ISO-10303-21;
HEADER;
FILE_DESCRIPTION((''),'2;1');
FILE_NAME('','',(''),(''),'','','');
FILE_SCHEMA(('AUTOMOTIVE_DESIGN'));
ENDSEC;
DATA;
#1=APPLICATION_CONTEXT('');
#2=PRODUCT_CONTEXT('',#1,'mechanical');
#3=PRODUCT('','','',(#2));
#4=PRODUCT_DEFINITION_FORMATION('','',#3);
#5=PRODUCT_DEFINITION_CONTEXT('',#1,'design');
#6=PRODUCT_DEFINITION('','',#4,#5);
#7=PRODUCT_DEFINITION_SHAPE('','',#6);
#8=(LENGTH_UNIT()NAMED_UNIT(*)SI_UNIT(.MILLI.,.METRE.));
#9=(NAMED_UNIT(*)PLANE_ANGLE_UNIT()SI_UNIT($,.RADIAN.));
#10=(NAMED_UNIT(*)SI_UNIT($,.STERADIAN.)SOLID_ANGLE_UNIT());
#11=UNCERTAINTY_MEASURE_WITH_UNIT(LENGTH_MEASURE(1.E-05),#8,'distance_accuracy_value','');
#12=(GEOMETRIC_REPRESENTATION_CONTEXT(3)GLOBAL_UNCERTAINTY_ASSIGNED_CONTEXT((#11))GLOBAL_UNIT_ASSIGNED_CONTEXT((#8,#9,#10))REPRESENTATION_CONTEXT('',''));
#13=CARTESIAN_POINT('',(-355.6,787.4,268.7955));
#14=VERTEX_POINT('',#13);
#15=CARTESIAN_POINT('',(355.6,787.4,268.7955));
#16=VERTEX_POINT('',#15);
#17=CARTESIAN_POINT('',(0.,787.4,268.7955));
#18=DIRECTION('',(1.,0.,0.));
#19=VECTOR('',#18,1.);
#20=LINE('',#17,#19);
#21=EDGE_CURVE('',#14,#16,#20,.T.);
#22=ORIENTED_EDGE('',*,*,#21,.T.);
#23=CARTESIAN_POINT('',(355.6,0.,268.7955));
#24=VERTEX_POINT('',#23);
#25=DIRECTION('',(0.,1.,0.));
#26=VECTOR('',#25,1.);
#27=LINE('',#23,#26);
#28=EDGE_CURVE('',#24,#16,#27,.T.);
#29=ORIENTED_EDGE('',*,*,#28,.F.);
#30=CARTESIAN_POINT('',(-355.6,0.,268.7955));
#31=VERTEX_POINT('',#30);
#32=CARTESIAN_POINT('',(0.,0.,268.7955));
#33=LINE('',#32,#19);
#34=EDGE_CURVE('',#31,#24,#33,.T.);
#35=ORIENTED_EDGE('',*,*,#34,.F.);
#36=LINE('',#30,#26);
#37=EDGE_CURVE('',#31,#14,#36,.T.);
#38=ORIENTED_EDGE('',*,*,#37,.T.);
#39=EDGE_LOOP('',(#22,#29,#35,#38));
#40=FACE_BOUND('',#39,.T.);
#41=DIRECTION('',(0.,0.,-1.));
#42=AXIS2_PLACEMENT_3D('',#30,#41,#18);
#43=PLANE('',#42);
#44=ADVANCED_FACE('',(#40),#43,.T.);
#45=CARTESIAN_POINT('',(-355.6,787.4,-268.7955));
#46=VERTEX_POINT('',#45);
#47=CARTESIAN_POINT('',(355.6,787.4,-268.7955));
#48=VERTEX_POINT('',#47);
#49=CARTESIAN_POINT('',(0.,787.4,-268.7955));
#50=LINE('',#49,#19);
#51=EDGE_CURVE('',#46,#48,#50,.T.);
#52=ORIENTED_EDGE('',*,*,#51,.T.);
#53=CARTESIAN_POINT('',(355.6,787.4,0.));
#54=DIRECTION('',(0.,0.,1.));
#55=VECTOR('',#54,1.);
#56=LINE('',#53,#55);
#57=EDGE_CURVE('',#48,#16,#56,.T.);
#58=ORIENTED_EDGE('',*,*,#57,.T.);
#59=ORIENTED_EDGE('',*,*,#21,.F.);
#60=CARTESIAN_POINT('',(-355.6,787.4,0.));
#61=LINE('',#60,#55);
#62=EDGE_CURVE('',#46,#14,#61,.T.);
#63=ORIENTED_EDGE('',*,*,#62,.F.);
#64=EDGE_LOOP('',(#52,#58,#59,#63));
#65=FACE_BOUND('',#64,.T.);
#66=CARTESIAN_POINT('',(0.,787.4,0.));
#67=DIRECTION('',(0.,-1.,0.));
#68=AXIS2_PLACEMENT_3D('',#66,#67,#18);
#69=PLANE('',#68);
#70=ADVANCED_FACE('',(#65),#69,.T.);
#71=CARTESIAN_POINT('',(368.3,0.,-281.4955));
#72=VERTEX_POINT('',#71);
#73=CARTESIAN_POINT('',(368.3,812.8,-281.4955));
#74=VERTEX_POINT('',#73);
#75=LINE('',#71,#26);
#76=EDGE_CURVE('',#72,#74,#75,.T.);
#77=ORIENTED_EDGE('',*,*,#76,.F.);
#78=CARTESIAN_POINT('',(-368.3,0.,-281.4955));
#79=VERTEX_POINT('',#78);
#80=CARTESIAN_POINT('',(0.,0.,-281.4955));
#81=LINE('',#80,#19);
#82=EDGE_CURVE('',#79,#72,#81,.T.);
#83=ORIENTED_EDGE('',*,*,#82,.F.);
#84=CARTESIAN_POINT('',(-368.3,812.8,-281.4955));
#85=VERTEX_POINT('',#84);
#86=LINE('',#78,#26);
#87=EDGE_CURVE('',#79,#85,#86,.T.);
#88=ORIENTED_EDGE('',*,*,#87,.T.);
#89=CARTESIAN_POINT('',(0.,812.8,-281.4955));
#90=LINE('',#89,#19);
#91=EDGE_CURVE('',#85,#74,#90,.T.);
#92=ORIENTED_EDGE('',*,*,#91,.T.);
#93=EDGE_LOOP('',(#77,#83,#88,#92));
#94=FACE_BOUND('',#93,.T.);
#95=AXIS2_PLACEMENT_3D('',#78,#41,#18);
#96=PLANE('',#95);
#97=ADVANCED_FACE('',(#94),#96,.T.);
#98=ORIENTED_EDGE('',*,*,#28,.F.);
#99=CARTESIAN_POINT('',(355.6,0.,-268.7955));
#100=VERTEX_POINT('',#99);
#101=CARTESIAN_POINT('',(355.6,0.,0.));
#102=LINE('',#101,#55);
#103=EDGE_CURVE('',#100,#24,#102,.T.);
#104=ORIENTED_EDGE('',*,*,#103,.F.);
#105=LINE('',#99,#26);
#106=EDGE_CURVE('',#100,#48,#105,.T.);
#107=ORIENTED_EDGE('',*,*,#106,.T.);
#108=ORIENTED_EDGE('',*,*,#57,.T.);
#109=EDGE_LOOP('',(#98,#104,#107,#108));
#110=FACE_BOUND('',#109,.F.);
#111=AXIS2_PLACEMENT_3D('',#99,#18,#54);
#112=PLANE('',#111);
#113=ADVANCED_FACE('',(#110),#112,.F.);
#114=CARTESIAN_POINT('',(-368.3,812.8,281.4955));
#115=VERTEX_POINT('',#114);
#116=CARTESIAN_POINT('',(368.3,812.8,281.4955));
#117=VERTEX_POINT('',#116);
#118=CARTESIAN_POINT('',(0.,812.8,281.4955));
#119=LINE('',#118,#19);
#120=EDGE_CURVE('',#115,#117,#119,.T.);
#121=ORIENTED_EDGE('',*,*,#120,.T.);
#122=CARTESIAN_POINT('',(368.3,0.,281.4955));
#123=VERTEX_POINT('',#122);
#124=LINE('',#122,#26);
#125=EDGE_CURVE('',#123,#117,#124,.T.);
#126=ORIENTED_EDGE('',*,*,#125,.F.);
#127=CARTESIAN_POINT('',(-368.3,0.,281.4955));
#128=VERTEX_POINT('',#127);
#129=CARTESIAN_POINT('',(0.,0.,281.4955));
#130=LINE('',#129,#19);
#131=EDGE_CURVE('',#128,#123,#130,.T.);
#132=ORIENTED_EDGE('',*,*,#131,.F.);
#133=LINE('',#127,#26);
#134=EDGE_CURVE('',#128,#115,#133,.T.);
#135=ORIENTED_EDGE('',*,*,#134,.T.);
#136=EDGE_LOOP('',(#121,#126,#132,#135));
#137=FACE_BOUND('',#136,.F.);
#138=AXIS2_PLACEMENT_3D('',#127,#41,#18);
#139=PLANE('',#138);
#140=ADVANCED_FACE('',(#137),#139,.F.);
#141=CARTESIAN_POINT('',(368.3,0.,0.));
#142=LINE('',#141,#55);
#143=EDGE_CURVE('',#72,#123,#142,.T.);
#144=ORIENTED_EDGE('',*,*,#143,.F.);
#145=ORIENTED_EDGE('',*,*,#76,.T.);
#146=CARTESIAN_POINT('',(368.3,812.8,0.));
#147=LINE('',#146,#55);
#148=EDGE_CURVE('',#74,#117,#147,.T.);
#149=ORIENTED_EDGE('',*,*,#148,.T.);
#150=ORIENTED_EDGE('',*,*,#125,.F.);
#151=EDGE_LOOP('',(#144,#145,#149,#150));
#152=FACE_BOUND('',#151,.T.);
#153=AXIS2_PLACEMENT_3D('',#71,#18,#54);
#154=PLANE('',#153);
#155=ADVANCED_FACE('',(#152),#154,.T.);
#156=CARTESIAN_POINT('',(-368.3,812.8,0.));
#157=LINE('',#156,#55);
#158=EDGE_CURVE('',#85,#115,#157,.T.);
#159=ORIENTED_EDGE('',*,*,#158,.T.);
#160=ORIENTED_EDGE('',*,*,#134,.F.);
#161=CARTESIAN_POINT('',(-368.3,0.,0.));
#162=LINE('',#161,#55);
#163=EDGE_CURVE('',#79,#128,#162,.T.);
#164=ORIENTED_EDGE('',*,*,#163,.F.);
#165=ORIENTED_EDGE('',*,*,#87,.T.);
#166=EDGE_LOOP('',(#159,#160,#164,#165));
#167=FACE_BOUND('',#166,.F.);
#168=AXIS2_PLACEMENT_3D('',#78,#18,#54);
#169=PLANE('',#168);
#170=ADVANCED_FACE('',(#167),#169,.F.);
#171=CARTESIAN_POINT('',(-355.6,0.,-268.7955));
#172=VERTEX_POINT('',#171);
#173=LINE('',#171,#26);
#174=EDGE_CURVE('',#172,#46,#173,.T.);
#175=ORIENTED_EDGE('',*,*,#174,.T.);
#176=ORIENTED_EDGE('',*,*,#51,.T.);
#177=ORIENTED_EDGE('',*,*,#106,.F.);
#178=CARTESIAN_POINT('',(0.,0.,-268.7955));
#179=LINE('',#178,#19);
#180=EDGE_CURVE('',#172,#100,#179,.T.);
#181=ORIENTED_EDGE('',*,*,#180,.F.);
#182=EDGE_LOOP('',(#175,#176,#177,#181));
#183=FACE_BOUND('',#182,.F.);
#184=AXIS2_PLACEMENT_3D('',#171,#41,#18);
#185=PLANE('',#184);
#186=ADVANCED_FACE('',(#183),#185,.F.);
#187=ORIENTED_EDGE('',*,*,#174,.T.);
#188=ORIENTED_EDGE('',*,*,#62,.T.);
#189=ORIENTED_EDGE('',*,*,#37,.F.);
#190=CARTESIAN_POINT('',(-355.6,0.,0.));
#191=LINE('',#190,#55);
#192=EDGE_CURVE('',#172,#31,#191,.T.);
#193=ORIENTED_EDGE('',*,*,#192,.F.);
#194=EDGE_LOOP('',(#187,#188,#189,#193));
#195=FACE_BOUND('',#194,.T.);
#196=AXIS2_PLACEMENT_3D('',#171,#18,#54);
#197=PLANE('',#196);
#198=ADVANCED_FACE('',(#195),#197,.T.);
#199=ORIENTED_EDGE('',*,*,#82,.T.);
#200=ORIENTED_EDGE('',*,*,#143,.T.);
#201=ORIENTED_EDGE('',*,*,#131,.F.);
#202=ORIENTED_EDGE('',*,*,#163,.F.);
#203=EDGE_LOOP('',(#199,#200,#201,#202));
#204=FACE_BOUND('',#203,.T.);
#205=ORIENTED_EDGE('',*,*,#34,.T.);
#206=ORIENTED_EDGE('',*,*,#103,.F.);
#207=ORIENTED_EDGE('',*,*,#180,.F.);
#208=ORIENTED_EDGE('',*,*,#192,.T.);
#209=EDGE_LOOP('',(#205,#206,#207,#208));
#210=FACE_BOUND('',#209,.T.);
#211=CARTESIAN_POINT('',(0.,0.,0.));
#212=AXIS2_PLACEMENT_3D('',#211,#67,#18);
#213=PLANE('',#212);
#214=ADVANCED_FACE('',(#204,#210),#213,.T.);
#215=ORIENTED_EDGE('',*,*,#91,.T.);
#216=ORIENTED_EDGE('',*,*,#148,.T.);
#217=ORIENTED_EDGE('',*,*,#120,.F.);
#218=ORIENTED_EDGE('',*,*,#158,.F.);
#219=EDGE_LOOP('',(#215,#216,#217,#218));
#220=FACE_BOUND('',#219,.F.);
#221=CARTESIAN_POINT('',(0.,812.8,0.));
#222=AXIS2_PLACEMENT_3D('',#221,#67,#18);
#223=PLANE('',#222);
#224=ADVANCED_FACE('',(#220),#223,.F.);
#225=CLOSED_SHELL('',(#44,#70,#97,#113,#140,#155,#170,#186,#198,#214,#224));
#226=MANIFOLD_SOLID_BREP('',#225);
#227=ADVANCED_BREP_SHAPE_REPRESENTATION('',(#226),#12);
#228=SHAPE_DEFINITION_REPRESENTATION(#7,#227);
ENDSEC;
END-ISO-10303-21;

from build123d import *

# Parameters (mm, degrees)
F0_W     = 736.6
F0_H     = 562.991
F0_W_2   = 711.2
F0_H_2   = 537.591
F1_DEPTH = 812.8
F2_DEPTH = 787.4


with BuildPart() as f1:
    # F0 (on Front) → F1 (new body)
    with BuildSketch(Plane.XZ):
        Rectangle(F0_W, F0_H)
        Rectangle(F0_W_2, F0_H_2, mode=Mode.SUBTRACT)
        Rectangle(F0_W_2, F0_H_2)
    extrude(amount=-F1_DEPTH)

    # F0 (on Front) → F2 (cut)
    with BuildSketch(Plane.XZ):
        Rectangle(F0_W_2, F0_H_2)
    extrude(amount=-F2_DEPTH, mode=Mode.SUBTRACT)


solid = f1.part
